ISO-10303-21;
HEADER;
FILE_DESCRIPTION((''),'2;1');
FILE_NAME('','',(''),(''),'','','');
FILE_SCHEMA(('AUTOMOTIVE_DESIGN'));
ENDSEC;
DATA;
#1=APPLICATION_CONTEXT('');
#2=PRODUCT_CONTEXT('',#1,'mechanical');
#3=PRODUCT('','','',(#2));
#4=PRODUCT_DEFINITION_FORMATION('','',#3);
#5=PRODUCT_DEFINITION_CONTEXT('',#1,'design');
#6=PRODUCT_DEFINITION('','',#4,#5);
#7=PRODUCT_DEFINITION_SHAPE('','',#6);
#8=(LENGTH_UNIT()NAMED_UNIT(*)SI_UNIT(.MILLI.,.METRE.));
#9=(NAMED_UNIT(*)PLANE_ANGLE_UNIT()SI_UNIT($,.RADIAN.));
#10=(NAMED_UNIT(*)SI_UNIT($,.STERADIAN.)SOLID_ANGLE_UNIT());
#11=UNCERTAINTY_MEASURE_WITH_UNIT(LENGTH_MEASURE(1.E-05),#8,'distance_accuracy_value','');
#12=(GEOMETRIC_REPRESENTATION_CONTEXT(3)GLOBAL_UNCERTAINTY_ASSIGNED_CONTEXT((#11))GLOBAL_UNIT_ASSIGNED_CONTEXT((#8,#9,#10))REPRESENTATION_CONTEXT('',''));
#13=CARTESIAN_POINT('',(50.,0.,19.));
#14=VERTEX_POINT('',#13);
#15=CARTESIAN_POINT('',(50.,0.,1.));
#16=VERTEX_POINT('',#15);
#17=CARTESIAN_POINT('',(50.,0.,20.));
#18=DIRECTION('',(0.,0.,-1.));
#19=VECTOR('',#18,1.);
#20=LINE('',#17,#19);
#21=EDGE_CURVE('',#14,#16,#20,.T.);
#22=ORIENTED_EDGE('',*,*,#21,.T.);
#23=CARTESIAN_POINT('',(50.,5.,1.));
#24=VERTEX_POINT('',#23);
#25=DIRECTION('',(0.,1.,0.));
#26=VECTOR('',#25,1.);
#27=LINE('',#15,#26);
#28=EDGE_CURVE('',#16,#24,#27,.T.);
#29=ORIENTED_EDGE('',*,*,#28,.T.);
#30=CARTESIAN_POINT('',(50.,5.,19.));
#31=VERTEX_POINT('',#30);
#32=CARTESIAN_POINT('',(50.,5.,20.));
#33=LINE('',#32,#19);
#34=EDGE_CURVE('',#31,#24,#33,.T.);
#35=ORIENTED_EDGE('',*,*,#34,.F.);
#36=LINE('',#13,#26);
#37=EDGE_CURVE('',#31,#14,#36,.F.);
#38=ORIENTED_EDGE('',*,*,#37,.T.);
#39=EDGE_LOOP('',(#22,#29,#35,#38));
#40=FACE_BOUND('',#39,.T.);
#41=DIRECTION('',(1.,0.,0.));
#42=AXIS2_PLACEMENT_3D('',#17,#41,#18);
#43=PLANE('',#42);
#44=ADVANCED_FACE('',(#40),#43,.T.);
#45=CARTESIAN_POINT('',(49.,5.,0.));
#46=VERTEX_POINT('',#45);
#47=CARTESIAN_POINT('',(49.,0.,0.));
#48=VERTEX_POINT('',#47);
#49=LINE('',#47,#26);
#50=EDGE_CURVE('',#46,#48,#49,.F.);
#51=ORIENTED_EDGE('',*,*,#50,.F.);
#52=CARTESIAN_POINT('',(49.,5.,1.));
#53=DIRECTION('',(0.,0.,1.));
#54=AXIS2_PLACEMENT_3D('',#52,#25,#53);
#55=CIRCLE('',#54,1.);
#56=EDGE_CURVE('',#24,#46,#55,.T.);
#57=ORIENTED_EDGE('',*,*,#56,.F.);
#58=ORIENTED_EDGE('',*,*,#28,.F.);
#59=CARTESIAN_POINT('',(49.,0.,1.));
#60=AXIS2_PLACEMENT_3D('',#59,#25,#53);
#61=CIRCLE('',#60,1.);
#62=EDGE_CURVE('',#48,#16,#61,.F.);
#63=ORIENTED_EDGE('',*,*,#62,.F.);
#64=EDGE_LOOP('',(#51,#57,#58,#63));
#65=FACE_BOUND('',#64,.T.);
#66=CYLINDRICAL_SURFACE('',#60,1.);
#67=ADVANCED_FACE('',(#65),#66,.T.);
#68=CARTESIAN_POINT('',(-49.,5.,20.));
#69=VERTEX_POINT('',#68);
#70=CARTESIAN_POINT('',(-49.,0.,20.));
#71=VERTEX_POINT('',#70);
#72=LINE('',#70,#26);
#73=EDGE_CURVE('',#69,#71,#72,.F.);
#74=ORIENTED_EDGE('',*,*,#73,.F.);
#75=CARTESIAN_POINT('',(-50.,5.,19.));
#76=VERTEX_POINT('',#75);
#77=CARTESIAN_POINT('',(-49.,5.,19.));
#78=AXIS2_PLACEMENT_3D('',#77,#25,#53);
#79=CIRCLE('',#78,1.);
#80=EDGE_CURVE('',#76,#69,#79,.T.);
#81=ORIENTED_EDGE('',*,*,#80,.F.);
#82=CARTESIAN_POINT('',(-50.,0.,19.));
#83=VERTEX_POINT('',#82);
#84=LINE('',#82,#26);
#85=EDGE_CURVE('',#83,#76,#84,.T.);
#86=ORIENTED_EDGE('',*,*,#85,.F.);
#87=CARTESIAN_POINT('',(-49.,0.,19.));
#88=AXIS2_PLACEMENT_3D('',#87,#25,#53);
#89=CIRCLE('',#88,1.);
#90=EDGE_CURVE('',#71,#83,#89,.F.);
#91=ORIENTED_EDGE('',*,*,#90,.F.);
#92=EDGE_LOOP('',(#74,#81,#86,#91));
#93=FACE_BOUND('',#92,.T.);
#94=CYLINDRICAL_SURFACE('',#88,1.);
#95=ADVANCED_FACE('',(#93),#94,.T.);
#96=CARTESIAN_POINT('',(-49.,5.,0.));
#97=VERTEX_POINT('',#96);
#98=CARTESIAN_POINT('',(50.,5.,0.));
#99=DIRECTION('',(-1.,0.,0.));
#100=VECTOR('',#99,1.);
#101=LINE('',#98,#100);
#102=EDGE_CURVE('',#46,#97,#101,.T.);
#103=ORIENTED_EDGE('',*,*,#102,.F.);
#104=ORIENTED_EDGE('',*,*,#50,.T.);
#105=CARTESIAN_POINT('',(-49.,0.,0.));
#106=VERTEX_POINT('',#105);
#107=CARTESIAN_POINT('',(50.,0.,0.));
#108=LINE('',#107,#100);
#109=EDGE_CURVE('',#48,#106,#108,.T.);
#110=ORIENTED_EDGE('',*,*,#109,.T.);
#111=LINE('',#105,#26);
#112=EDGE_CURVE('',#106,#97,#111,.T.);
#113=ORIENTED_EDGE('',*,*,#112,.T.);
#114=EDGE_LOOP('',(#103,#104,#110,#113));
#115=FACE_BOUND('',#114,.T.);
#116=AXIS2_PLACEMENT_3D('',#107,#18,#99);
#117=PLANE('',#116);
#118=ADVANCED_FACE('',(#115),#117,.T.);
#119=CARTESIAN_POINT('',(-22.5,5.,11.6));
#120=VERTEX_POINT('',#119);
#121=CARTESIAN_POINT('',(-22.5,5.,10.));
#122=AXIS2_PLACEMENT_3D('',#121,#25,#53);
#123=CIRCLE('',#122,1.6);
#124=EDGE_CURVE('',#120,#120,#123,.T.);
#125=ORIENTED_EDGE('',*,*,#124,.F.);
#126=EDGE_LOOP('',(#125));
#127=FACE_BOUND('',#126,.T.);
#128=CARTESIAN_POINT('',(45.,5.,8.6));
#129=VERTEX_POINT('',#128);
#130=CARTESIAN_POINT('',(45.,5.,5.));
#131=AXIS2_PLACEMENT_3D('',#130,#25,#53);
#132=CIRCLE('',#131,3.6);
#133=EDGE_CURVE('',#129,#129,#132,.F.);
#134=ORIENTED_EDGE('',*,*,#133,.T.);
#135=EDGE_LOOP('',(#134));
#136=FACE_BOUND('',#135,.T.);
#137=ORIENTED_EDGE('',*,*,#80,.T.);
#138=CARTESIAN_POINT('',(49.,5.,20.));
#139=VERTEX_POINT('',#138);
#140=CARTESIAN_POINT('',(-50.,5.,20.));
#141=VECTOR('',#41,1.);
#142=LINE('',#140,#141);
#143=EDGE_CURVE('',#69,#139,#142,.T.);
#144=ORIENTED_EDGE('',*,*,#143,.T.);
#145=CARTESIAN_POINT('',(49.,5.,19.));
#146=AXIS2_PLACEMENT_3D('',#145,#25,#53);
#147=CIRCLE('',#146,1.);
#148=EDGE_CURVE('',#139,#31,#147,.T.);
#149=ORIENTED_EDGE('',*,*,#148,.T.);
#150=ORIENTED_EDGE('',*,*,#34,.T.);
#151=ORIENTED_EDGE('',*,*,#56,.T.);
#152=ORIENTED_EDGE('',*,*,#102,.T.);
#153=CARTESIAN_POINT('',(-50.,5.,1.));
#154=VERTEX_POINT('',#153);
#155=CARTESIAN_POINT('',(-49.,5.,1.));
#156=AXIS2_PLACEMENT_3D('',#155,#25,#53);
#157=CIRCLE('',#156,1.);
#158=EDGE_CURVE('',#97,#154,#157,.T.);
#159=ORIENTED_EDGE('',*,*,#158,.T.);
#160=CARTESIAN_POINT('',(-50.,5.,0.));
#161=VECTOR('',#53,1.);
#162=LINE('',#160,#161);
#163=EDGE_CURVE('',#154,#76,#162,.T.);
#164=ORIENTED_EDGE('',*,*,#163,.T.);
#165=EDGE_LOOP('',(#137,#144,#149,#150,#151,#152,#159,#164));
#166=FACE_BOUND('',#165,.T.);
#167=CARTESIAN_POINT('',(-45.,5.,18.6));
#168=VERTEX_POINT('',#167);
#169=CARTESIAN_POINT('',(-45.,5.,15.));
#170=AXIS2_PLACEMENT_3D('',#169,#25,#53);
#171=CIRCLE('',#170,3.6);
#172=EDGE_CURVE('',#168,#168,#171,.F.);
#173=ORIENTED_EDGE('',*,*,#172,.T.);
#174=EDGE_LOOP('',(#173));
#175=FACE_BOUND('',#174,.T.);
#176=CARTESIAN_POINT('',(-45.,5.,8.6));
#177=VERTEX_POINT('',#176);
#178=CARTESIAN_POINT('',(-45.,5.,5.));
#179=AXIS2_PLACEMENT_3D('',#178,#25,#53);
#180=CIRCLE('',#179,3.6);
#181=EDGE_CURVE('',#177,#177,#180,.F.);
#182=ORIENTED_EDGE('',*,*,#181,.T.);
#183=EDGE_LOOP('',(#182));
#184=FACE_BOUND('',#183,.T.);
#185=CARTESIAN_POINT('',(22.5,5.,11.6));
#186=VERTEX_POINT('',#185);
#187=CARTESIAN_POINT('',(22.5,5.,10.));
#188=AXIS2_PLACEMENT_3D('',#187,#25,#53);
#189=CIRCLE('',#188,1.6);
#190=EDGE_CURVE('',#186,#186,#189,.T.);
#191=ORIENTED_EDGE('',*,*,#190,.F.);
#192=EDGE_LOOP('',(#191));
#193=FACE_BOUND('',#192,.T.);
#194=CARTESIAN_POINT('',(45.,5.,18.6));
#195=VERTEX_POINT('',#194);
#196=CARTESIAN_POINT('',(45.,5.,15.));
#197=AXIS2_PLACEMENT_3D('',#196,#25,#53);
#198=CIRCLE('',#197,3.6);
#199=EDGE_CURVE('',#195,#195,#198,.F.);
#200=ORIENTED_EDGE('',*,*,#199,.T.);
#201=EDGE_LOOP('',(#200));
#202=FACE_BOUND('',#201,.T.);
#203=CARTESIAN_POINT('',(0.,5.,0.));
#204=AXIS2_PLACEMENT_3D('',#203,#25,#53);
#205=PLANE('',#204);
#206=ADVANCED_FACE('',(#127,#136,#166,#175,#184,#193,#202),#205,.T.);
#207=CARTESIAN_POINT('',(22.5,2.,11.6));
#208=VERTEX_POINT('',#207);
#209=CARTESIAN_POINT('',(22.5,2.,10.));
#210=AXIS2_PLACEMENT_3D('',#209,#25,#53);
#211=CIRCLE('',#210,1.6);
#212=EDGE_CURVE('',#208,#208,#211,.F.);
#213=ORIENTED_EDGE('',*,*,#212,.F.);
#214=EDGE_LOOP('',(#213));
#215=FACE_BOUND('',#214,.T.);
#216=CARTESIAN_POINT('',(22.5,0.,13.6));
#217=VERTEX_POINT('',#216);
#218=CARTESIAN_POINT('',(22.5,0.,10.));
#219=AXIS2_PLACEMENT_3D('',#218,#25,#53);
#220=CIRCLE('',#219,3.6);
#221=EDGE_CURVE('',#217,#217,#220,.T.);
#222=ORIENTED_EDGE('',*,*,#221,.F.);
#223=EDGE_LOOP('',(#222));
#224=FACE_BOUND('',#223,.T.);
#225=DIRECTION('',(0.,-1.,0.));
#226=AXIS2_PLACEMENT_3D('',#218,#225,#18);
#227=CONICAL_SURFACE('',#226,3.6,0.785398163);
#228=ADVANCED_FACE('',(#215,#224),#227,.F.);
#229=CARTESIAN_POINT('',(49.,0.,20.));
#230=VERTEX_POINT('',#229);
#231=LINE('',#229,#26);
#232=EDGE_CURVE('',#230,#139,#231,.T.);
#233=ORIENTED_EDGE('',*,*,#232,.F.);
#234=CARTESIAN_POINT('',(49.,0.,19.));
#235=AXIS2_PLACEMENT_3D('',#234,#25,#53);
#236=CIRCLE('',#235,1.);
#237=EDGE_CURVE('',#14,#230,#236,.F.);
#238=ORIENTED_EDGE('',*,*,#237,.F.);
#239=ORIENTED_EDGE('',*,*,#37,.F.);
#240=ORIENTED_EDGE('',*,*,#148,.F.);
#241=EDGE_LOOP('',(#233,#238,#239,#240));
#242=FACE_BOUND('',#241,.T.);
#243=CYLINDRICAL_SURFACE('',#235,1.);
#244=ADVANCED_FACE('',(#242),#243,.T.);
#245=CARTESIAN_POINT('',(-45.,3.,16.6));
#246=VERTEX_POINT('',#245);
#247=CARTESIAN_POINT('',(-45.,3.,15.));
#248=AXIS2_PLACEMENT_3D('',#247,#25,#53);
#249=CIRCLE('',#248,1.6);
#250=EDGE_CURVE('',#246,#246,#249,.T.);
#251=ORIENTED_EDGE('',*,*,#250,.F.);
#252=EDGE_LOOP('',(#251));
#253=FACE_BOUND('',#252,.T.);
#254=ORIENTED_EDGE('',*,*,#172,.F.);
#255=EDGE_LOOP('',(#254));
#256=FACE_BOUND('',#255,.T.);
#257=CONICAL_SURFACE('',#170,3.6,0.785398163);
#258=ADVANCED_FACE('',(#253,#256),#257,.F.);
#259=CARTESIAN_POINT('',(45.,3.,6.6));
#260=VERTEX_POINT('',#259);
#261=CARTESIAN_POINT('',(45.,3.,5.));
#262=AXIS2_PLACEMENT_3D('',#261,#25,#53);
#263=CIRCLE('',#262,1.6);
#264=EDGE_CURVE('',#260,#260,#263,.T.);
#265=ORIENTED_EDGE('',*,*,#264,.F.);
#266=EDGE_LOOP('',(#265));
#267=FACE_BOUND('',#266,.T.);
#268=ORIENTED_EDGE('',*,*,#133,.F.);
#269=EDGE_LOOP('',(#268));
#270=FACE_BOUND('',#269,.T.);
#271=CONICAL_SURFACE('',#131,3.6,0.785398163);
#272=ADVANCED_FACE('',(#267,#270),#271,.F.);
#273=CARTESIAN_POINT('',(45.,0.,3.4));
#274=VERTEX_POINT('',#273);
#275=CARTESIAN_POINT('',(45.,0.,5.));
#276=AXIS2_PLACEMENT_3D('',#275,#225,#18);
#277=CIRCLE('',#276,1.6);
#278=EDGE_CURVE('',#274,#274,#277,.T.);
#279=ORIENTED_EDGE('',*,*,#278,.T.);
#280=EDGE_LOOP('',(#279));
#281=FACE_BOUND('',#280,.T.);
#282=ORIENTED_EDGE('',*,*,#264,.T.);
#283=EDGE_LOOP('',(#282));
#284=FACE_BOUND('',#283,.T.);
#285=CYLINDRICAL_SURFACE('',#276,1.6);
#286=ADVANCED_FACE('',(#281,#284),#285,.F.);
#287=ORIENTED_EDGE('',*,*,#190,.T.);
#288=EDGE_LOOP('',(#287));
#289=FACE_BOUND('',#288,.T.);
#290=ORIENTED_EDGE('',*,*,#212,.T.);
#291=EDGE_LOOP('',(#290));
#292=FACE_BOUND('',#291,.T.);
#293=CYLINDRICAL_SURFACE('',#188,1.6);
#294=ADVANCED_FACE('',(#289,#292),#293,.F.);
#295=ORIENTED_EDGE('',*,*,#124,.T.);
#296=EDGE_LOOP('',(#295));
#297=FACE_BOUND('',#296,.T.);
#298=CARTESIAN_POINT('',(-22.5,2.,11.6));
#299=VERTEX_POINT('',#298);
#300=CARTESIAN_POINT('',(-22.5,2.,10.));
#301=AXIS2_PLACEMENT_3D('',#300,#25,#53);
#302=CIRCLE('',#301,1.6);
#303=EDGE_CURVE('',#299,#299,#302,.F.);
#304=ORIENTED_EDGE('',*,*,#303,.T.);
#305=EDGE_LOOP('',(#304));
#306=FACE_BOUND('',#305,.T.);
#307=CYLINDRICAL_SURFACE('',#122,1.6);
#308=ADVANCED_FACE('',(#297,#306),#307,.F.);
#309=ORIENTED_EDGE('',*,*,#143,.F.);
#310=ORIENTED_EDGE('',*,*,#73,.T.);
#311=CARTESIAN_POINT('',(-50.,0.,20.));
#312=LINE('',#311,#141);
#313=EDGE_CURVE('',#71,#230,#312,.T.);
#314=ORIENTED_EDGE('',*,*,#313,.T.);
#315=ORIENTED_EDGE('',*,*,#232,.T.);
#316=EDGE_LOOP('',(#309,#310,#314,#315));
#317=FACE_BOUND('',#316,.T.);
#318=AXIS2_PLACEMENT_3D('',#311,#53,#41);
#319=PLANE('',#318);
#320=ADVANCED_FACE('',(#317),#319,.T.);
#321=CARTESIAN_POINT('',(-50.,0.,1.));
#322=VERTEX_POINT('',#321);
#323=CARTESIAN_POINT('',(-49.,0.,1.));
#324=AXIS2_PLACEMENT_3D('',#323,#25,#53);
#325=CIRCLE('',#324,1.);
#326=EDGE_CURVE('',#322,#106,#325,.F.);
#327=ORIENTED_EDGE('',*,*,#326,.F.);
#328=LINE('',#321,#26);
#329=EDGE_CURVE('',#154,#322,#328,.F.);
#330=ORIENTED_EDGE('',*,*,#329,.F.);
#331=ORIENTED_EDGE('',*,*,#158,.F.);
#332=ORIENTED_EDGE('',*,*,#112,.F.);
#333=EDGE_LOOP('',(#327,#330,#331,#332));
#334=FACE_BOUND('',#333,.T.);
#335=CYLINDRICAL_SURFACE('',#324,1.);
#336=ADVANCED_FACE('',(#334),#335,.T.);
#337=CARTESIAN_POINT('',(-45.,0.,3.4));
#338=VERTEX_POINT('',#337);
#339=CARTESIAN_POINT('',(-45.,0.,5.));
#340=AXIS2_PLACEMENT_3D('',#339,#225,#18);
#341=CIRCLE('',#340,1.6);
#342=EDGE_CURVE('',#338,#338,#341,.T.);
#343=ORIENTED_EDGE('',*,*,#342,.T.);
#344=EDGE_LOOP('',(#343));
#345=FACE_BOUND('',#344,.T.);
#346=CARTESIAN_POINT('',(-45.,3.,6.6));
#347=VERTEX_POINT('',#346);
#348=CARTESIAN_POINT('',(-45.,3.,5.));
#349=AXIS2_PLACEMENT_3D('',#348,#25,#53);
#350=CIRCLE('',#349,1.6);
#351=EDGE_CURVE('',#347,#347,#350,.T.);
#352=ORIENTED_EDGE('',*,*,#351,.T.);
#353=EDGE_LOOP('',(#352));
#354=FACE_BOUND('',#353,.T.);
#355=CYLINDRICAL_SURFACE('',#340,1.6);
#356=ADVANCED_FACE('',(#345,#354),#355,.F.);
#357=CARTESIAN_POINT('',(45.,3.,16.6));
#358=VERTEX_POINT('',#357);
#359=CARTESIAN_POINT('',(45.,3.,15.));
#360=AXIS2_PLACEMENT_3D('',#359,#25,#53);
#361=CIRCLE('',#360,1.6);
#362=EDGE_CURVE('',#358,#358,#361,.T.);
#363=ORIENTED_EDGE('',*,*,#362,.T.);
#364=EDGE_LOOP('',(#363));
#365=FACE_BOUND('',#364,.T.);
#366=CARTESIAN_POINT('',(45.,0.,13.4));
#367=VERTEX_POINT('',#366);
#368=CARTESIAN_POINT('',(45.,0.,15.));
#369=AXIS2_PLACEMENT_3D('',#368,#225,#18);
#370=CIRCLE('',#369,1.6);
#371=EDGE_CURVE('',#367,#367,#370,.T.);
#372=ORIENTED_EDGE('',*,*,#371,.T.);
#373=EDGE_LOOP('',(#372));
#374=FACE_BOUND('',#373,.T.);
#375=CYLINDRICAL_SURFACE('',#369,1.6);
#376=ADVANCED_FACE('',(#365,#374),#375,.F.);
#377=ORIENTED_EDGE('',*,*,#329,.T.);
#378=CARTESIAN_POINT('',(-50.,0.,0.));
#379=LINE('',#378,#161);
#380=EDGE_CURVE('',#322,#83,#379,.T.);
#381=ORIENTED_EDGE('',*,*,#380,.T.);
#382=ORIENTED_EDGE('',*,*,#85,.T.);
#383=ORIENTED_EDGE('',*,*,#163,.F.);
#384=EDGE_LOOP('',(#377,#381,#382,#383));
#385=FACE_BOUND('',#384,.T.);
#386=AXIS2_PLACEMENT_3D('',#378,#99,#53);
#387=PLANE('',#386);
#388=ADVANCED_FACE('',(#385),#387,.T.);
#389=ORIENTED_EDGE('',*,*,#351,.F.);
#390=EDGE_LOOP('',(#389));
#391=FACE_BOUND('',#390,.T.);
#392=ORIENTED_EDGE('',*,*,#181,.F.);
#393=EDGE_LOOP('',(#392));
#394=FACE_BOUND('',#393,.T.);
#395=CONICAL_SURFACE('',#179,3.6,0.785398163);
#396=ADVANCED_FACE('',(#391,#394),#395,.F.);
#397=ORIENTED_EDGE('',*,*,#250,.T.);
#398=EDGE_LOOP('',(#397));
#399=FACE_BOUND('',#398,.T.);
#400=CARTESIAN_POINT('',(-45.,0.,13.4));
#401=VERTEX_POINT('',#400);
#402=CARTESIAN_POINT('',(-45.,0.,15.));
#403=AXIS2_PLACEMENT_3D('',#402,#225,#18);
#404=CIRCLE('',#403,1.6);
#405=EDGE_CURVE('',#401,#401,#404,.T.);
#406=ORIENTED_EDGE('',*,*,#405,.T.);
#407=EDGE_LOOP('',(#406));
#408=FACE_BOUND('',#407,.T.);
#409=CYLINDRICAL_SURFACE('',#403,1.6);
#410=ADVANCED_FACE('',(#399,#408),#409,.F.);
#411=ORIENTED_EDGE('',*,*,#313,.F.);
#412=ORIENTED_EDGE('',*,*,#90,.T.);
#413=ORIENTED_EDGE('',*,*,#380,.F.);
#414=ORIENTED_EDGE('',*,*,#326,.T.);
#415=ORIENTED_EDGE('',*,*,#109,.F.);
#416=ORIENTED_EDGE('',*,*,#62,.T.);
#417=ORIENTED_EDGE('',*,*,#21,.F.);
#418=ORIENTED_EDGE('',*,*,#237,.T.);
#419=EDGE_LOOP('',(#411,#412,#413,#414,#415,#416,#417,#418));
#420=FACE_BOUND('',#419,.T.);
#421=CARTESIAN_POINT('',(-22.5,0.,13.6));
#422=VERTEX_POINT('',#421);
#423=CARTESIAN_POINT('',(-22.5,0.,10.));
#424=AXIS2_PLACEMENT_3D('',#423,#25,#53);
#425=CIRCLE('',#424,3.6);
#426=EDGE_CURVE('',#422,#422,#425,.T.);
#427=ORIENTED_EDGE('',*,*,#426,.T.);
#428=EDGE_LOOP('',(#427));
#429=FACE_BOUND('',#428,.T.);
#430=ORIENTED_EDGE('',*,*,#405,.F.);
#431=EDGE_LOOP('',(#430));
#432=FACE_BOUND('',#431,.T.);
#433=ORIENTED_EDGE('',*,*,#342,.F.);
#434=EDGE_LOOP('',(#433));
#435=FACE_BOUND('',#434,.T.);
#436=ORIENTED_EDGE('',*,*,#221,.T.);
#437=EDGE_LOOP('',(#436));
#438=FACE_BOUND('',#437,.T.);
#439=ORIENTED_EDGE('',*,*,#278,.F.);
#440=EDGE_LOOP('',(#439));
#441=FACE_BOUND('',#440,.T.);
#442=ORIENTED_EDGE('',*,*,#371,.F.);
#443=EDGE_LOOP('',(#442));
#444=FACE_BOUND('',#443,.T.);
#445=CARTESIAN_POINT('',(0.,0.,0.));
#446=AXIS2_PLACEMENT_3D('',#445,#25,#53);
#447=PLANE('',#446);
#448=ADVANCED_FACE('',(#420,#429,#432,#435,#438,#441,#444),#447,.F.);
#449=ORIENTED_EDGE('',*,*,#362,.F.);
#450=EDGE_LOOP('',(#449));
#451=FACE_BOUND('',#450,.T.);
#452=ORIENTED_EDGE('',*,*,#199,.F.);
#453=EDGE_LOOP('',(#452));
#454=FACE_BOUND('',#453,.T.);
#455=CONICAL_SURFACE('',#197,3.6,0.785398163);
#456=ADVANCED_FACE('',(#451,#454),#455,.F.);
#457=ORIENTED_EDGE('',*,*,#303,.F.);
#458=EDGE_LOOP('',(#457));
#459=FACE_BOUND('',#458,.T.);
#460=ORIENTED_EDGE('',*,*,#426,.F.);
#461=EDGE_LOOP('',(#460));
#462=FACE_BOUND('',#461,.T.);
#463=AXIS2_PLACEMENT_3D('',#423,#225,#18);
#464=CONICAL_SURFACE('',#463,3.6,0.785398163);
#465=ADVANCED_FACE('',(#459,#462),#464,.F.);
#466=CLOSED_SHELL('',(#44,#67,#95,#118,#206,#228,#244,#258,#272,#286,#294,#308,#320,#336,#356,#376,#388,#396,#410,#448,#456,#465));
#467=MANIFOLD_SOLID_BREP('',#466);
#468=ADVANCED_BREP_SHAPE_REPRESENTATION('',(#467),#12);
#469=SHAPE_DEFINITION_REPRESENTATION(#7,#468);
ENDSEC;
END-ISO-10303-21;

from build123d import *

# Parameters (mm, degrees)
ESQUISSE1_W                     = 100
ESQUISSE1_H                     = 20
BOSS_EXTRU_1_DEPTH              = 5
DIAM_TRE_DU_PER_AGE_3_2_3_2_1_D = 3.2
DIAM_TRE_DU_PER_AGE_3_2_3_2_2_D = 3.2
CONG_1_R                        = 1
CHANFREIN1_SIZE                 = 2
CHANFREIN2_SIZE                 = 2


with BuildPart() as part:
    # Esquisse1 → Boss.-Extru.1 (new body)
    with BuildSketch(Plane(origin=(0, 5, 0), x_dir=(1, 0, 0), z_dir=(0, 1, 0))):
        with Locations((0, -10)):
            Rectangle(ESQUISSE1_W, ESQUISSE1_H)
    extrude(amount=-BOSS_EXTRU_1_DEPTH)

    # Diamètre du perçage Ø3.2 (3.2)1 (through all)
    with Locations(Plane(origin=(0, 5, 0), x_dir=(1, 0, 0), z_dir=(0, 1, 0))):
        with Locations((22.5, -10), (-22.5, -10)):
            Hole(DIAM_TRE_DU_PER_AGE_3_2_3_2_1_D / 2)

    # Diamètre du perçage Ø3.2 (3.2)2 (through all)
    with Locations(Plane(origin=(0, 0, 0), x_dir=(-1, 0, 0), z_dir=(0, -1, 0))):
        with Locations((45, -15), (45, -5), (-45, -5), (-45, -15)):
            Hole(DIAM_TRE_DU_PER_AGE_3_2_3_2_2_D / 2)

    # Congé1
    cong_1_edges = [part.edges().sort_by_distance(p)[0] for p in [
        (-50, 2.5, 20),
        (-50, 2.5, 0),
        (50, 2.5, 0),
        (50, 2.5, 20),
    ]]
    fillet(cong_1_edges, radius=CONG_1_R)

    # Chanfrein1
    chanfrein1_edges = [part.edges().sort_by_distance(p)[0] for p in [
        (43.4, 5, 15),
        (43.4, 5, 5),
        (-46.6, 5, 5),
        (-46.6, 5, 15),
    ]]
    chamfer(chanfrein1_edges, length=CHANFREIN1_SIZE)

    # Chanfrein2
    chanfrein2_edges = [part.edges().sort_by_distance(p)[0] for p in [
        (-20.9, 0, 10),
        (24.1, 0, 10),
    ]]
    chamfer(chanfrein2_edges, length=CHANFREIN2_SIZE)


solid = part.part
